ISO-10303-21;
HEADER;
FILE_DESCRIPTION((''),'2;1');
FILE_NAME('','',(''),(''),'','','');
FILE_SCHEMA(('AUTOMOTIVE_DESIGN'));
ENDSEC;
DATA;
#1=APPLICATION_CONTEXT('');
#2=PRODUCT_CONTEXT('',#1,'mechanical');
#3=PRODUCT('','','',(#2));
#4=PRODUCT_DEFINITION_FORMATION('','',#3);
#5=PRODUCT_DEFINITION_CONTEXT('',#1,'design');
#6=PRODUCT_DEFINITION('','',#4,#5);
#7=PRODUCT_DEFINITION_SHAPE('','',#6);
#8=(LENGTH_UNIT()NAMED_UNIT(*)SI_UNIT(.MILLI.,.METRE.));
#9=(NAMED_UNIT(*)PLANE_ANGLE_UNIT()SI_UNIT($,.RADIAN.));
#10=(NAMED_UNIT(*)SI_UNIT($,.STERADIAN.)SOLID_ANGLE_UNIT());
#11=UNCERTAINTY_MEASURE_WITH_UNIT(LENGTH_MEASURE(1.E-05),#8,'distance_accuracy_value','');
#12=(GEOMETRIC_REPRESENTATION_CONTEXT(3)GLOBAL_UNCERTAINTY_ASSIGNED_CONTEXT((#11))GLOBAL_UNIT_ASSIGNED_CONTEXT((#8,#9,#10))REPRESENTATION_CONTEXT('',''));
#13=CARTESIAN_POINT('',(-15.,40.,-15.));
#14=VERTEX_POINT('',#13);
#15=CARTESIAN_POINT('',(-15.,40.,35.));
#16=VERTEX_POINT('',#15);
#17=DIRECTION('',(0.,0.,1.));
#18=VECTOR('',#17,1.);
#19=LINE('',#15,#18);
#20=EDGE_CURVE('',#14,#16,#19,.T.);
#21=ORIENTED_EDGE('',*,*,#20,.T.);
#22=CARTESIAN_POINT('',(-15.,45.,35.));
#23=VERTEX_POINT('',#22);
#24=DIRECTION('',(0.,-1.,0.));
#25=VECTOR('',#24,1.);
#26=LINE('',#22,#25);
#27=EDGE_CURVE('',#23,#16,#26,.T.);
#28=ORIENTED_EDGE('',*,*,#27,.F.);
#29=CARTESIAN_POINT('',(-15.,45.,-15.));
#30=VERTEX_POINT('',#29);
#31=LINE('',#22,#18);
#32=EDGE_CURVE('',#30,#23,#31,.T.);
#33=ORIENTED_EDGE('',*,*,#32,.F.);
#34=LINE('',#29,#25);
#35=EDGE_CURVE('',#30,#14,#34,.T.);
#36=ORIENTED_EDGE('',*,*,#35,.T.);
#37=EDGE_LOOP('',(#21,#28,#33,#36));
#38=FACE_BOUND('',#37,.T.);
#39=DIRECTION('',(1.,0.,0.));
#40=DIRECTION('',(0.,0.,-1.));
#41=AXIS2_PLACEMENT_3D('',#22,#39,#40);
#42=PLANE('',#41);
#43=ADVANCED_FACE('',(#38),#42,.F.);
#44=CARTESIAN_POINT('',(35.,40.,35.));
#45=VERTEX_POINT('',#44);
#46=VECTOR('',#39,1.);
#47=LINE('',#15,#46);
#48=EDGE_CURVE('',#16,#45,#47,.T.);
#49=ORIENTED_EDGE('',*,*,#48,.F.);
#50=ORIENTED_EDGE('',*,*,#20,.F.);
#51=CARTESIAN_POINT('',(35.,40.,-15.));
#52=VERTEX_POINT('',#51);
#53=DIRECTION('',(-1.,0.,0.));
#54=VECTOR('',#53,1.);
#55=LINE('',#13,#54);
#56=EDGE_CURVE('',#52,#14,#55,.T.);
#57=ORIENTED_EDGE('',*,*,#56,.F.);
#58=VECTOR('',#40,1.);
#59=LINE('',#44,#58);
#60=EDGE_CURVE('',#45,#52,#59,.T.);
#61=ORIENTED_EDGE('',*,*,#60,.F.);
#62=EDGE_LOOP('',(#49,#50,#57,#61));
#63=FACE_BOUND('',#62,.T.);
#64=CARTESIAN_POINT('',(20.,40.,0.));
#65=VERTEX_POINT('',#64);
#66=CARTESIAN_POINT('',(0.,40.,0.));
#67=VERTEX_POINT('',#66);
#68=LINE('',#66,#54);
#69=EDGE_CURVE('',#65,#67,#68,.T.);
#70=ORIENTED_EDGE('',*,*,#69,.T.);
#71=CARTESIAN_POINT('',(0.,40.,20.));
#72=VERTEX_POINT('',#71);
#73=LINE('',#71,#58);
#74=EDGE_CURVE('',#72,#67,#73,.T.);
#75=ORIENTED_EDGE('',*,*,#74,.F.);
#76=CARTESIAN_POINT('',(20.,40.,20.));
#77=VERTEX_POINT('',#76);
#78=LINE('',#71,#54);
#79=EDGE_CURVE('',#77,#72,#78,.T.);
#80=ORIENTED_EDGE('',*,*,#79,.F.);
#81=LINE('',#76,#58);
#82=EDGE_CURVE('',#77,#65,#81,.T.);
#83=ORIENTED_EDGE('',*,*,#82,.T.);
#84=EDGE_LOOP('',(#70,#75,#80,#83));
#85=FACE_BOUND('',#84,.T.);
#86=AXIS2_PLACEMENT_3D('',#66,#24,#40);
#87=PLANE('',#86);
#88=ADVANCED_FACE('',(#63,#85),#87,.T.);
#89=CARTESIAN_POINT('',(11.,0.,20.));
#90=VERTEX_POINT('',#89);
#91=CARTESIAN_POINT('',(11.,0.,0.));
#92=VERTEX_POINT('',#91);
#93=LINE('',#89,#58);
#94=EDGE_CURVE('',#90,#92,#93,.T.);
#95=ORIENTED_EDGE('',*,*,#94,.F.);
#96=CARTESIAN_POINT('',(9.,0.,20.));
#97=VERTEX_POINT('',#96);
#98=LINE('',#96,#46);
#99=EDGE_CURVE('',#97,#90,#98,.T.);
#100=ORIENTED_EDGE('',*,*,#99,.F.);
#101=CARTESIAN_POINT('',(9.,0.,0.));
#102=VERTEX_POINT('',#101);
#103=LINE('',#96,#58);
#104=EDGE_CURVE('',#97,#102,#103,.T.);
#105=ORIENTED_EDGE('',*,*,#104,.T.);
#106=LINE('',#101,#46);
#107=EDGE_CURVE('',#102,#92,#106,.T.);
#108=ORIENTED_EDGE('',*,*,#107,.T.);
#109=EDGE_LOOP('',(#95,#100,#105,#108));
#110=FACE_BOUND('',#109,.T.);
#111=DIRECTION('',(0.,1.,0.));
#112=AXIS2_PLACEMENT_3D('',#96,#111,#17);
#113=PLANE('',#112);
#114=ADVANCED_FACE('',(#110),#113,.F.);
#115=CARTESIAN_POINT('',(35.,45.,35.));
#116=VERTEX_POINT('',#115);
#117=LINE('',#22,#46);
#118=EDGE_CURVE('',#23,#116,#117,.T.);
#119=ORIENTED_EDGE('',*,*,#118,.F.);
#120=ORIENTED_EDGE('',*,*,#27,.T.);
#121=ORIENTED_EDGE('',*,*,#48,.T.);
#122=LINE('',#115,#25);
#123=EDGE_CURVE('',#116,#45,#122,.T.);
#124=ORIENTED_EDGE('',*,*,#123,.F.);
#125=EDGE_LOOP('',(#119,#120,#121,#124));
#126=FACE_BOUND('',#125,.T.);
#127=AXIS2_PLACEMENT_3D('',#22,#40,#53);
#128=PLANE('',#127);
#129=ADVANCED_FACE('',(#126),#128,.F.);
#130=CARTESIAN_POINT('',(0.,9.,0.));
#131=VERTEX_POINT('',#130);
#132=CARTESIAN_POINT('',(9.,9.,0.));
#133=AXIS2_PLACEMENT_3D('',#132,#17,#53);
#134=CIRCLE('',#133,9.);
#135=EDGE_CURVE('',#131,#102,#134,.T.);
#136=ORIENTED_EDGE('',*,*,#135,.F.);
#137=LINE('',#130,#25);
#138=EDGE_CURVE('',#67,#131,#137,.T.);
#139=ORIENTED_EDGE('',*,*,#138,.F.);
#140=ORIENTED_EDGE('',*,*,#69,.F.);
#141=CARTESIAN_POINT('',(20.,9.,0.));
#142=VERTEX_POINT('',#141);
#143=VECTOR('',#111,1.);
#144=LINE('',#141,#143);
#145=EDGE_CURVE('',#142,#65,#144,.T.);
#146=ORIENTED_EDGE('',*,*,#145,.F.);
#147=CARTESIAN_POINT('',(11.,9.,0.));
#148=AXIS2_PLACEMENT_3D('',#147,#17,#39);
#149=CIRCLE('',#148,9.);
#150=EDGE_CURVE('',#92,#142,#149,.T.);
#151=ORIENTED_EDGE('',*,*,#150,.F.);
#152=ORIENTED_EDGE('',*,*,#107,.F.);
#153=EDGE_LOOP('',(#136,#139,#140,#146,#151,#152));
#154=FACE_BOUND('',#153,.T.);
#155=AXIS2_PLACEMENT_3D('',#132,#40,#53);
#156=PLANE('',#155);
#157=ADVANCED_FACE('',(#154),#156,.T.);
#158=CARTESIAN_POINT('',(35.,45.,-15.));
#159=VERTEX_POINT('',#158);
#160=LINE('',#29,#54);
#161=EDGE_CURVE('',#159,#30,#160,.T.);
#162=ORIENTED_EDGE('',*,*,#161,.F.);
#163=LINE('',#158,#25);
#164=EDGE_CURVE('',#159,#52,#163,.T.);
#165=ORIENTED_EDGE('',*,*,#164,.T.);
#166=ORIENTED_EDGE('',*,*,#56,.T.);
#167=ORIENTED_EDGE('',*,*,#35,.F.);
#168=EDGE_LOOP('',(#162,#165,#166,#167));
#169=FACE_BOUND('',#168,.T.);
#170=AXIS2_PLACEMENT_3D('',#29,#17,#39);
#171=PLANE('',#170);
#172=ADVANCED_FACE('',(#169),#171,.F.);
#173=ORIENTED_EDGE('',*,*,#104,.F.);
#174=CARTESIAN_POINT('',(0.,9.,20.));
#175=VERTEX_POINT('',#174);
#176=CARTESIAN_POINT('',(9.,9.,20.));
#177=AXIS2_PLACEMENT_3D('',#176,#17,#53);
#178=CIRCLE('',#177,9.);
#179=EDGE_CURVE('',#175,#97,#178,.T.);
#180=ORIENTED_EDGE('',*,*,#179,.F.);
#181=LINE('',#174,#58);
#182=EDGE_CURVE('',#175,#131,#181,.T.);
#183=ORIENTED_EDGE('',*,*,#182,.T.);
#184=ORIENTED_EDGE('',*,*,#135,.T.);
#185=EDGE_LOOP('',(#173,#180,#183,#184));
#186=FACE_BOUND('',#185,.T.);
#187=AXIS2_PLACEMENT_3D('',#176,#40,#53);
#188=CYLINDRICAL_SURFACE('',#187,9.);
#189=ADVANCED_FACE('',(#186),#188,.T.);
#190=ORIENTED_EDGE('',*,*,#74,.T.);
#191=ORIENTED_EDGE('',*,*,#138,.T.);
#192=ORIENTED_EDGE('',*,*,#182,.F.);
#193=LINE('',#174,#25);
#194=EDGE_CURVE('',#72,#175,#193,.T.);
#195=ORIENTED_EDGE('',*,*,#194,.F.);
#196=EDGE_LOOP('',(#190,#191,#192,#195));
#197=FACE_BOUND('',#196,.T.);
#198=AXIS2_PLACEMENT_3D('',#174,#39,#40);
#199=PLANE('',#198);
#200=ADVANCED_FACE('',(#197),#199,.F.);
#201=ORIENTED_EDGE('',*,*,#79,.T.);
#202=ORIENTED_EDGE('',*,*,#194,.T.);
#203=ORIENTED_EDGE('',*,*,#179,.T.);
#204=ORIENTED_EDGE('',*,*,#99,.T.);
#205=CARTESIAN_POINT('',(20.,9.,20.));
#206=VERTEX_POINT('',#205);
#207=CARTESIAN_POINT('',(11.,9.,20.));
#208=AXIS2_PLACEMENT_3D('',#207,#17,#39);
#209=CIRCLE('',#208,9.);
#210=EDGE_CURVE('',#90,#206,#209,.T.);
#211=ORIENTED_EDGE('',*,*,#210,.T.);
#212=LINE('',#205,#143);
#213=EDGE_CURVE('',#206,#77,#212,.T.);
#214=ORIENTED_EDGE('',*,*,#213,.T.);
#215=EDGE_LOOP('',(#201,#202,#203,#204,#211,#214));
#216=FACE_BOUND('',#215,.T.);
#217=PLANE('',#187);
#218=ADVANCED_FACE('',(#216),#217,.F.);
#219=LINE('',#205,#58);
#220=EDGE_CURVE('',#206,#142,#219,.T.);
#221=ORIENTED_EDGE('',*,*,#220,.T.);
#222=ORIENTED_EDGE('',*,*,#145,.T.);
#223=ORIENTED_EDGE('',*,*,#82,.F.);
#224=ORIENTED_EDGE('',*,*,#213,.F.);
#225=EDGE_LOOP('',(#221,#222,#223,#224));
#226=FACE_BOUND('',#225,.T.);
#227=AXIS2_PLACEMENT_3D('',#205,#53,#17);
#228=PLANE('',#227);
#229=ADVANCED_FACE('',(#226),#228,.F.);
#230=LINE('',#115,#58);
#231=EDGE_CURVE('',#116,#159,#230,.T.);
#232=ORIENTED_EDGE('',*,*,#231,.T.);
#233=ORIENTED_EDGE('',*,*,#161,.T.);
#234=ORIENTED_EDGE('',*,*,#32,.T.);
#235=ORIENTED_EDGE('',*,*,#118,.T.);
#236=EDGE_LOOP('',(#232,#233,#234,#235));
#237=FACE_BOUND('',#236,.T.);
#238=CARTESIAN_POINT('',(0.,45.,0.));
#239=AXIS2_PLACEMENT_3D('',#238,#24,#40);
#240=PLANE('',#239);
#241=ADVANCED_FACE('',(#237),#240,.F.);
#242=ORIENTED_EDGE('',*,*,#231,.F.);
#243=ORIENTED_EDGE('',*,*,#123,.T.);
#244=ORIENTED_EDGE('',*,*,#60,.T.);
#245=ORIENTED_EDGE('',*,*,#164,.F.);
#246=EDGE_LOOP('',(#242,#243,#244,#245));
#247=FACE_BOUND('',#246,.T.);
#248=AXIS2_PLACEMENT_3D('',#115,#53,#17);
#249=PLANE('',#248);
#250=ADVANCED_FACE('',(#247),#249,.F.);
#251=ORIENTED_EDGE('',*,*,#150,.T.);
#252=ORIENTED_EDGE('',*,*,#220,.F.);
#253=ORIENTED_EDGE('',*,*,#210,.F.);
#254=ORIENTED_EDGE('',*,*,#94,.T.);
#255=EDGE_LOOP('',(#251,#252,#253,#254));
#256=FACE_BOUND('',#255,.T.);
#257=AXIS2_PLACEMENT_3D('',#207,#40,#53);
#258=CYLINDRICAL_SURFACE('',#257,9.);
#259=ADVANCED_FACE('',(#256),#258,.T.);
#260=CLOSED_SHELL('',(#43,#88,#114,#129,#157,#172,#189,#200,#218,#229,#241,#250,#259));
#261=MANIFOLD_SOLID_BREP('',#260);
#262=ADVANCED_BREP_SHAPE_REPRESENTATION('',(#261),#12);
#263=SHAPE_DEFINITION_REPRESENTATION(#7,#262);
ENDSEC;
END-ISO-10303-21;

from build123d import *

# Parameters (mm, degrees)
RESSALTO_EXTRUS_O1_DEPTH = 20
ESBO_O2_W                = 50
ESBO_O2_H                = 50
RESSALTO_EXTRUS_O2_DEPTH = 5


with BuildPart() as part:
    # Esboço1 → Ressalto-extrusão1 (new body)
    with BuildSketch(Plane.XY):
        with BuildLine():
            Line((9, 0), (11, 0))
            ThreePointArc((11, 0), (17.363961031, 2.636038969), (20, 9))
            Line((20, 9), (20, 40))
            Line((20, 40), (0, 40))
            Line((0, 40), (0, 9))
            ThreePointArc((0, 9), (2.636038969, 2.636038969), (9, 0))
        make_face()
    extrude(amount=RESSALTO_EXTRUS_O1_DEPTH)

    # Esboço2 → Ressalto-extrusão2 (add)
    with BuildSketch(Plane(origin=(0, 40, 0), x_dir=(1, 0, 0), z_dir=(0, 1, 0))):
        with Locations((10, -10)):
            Rectangle(ESBO_O2_W, ESBO_O2_H)
    extrude(amount=RESSALTO_EXTRUS_O2_DEPTH)


solid = part.part
